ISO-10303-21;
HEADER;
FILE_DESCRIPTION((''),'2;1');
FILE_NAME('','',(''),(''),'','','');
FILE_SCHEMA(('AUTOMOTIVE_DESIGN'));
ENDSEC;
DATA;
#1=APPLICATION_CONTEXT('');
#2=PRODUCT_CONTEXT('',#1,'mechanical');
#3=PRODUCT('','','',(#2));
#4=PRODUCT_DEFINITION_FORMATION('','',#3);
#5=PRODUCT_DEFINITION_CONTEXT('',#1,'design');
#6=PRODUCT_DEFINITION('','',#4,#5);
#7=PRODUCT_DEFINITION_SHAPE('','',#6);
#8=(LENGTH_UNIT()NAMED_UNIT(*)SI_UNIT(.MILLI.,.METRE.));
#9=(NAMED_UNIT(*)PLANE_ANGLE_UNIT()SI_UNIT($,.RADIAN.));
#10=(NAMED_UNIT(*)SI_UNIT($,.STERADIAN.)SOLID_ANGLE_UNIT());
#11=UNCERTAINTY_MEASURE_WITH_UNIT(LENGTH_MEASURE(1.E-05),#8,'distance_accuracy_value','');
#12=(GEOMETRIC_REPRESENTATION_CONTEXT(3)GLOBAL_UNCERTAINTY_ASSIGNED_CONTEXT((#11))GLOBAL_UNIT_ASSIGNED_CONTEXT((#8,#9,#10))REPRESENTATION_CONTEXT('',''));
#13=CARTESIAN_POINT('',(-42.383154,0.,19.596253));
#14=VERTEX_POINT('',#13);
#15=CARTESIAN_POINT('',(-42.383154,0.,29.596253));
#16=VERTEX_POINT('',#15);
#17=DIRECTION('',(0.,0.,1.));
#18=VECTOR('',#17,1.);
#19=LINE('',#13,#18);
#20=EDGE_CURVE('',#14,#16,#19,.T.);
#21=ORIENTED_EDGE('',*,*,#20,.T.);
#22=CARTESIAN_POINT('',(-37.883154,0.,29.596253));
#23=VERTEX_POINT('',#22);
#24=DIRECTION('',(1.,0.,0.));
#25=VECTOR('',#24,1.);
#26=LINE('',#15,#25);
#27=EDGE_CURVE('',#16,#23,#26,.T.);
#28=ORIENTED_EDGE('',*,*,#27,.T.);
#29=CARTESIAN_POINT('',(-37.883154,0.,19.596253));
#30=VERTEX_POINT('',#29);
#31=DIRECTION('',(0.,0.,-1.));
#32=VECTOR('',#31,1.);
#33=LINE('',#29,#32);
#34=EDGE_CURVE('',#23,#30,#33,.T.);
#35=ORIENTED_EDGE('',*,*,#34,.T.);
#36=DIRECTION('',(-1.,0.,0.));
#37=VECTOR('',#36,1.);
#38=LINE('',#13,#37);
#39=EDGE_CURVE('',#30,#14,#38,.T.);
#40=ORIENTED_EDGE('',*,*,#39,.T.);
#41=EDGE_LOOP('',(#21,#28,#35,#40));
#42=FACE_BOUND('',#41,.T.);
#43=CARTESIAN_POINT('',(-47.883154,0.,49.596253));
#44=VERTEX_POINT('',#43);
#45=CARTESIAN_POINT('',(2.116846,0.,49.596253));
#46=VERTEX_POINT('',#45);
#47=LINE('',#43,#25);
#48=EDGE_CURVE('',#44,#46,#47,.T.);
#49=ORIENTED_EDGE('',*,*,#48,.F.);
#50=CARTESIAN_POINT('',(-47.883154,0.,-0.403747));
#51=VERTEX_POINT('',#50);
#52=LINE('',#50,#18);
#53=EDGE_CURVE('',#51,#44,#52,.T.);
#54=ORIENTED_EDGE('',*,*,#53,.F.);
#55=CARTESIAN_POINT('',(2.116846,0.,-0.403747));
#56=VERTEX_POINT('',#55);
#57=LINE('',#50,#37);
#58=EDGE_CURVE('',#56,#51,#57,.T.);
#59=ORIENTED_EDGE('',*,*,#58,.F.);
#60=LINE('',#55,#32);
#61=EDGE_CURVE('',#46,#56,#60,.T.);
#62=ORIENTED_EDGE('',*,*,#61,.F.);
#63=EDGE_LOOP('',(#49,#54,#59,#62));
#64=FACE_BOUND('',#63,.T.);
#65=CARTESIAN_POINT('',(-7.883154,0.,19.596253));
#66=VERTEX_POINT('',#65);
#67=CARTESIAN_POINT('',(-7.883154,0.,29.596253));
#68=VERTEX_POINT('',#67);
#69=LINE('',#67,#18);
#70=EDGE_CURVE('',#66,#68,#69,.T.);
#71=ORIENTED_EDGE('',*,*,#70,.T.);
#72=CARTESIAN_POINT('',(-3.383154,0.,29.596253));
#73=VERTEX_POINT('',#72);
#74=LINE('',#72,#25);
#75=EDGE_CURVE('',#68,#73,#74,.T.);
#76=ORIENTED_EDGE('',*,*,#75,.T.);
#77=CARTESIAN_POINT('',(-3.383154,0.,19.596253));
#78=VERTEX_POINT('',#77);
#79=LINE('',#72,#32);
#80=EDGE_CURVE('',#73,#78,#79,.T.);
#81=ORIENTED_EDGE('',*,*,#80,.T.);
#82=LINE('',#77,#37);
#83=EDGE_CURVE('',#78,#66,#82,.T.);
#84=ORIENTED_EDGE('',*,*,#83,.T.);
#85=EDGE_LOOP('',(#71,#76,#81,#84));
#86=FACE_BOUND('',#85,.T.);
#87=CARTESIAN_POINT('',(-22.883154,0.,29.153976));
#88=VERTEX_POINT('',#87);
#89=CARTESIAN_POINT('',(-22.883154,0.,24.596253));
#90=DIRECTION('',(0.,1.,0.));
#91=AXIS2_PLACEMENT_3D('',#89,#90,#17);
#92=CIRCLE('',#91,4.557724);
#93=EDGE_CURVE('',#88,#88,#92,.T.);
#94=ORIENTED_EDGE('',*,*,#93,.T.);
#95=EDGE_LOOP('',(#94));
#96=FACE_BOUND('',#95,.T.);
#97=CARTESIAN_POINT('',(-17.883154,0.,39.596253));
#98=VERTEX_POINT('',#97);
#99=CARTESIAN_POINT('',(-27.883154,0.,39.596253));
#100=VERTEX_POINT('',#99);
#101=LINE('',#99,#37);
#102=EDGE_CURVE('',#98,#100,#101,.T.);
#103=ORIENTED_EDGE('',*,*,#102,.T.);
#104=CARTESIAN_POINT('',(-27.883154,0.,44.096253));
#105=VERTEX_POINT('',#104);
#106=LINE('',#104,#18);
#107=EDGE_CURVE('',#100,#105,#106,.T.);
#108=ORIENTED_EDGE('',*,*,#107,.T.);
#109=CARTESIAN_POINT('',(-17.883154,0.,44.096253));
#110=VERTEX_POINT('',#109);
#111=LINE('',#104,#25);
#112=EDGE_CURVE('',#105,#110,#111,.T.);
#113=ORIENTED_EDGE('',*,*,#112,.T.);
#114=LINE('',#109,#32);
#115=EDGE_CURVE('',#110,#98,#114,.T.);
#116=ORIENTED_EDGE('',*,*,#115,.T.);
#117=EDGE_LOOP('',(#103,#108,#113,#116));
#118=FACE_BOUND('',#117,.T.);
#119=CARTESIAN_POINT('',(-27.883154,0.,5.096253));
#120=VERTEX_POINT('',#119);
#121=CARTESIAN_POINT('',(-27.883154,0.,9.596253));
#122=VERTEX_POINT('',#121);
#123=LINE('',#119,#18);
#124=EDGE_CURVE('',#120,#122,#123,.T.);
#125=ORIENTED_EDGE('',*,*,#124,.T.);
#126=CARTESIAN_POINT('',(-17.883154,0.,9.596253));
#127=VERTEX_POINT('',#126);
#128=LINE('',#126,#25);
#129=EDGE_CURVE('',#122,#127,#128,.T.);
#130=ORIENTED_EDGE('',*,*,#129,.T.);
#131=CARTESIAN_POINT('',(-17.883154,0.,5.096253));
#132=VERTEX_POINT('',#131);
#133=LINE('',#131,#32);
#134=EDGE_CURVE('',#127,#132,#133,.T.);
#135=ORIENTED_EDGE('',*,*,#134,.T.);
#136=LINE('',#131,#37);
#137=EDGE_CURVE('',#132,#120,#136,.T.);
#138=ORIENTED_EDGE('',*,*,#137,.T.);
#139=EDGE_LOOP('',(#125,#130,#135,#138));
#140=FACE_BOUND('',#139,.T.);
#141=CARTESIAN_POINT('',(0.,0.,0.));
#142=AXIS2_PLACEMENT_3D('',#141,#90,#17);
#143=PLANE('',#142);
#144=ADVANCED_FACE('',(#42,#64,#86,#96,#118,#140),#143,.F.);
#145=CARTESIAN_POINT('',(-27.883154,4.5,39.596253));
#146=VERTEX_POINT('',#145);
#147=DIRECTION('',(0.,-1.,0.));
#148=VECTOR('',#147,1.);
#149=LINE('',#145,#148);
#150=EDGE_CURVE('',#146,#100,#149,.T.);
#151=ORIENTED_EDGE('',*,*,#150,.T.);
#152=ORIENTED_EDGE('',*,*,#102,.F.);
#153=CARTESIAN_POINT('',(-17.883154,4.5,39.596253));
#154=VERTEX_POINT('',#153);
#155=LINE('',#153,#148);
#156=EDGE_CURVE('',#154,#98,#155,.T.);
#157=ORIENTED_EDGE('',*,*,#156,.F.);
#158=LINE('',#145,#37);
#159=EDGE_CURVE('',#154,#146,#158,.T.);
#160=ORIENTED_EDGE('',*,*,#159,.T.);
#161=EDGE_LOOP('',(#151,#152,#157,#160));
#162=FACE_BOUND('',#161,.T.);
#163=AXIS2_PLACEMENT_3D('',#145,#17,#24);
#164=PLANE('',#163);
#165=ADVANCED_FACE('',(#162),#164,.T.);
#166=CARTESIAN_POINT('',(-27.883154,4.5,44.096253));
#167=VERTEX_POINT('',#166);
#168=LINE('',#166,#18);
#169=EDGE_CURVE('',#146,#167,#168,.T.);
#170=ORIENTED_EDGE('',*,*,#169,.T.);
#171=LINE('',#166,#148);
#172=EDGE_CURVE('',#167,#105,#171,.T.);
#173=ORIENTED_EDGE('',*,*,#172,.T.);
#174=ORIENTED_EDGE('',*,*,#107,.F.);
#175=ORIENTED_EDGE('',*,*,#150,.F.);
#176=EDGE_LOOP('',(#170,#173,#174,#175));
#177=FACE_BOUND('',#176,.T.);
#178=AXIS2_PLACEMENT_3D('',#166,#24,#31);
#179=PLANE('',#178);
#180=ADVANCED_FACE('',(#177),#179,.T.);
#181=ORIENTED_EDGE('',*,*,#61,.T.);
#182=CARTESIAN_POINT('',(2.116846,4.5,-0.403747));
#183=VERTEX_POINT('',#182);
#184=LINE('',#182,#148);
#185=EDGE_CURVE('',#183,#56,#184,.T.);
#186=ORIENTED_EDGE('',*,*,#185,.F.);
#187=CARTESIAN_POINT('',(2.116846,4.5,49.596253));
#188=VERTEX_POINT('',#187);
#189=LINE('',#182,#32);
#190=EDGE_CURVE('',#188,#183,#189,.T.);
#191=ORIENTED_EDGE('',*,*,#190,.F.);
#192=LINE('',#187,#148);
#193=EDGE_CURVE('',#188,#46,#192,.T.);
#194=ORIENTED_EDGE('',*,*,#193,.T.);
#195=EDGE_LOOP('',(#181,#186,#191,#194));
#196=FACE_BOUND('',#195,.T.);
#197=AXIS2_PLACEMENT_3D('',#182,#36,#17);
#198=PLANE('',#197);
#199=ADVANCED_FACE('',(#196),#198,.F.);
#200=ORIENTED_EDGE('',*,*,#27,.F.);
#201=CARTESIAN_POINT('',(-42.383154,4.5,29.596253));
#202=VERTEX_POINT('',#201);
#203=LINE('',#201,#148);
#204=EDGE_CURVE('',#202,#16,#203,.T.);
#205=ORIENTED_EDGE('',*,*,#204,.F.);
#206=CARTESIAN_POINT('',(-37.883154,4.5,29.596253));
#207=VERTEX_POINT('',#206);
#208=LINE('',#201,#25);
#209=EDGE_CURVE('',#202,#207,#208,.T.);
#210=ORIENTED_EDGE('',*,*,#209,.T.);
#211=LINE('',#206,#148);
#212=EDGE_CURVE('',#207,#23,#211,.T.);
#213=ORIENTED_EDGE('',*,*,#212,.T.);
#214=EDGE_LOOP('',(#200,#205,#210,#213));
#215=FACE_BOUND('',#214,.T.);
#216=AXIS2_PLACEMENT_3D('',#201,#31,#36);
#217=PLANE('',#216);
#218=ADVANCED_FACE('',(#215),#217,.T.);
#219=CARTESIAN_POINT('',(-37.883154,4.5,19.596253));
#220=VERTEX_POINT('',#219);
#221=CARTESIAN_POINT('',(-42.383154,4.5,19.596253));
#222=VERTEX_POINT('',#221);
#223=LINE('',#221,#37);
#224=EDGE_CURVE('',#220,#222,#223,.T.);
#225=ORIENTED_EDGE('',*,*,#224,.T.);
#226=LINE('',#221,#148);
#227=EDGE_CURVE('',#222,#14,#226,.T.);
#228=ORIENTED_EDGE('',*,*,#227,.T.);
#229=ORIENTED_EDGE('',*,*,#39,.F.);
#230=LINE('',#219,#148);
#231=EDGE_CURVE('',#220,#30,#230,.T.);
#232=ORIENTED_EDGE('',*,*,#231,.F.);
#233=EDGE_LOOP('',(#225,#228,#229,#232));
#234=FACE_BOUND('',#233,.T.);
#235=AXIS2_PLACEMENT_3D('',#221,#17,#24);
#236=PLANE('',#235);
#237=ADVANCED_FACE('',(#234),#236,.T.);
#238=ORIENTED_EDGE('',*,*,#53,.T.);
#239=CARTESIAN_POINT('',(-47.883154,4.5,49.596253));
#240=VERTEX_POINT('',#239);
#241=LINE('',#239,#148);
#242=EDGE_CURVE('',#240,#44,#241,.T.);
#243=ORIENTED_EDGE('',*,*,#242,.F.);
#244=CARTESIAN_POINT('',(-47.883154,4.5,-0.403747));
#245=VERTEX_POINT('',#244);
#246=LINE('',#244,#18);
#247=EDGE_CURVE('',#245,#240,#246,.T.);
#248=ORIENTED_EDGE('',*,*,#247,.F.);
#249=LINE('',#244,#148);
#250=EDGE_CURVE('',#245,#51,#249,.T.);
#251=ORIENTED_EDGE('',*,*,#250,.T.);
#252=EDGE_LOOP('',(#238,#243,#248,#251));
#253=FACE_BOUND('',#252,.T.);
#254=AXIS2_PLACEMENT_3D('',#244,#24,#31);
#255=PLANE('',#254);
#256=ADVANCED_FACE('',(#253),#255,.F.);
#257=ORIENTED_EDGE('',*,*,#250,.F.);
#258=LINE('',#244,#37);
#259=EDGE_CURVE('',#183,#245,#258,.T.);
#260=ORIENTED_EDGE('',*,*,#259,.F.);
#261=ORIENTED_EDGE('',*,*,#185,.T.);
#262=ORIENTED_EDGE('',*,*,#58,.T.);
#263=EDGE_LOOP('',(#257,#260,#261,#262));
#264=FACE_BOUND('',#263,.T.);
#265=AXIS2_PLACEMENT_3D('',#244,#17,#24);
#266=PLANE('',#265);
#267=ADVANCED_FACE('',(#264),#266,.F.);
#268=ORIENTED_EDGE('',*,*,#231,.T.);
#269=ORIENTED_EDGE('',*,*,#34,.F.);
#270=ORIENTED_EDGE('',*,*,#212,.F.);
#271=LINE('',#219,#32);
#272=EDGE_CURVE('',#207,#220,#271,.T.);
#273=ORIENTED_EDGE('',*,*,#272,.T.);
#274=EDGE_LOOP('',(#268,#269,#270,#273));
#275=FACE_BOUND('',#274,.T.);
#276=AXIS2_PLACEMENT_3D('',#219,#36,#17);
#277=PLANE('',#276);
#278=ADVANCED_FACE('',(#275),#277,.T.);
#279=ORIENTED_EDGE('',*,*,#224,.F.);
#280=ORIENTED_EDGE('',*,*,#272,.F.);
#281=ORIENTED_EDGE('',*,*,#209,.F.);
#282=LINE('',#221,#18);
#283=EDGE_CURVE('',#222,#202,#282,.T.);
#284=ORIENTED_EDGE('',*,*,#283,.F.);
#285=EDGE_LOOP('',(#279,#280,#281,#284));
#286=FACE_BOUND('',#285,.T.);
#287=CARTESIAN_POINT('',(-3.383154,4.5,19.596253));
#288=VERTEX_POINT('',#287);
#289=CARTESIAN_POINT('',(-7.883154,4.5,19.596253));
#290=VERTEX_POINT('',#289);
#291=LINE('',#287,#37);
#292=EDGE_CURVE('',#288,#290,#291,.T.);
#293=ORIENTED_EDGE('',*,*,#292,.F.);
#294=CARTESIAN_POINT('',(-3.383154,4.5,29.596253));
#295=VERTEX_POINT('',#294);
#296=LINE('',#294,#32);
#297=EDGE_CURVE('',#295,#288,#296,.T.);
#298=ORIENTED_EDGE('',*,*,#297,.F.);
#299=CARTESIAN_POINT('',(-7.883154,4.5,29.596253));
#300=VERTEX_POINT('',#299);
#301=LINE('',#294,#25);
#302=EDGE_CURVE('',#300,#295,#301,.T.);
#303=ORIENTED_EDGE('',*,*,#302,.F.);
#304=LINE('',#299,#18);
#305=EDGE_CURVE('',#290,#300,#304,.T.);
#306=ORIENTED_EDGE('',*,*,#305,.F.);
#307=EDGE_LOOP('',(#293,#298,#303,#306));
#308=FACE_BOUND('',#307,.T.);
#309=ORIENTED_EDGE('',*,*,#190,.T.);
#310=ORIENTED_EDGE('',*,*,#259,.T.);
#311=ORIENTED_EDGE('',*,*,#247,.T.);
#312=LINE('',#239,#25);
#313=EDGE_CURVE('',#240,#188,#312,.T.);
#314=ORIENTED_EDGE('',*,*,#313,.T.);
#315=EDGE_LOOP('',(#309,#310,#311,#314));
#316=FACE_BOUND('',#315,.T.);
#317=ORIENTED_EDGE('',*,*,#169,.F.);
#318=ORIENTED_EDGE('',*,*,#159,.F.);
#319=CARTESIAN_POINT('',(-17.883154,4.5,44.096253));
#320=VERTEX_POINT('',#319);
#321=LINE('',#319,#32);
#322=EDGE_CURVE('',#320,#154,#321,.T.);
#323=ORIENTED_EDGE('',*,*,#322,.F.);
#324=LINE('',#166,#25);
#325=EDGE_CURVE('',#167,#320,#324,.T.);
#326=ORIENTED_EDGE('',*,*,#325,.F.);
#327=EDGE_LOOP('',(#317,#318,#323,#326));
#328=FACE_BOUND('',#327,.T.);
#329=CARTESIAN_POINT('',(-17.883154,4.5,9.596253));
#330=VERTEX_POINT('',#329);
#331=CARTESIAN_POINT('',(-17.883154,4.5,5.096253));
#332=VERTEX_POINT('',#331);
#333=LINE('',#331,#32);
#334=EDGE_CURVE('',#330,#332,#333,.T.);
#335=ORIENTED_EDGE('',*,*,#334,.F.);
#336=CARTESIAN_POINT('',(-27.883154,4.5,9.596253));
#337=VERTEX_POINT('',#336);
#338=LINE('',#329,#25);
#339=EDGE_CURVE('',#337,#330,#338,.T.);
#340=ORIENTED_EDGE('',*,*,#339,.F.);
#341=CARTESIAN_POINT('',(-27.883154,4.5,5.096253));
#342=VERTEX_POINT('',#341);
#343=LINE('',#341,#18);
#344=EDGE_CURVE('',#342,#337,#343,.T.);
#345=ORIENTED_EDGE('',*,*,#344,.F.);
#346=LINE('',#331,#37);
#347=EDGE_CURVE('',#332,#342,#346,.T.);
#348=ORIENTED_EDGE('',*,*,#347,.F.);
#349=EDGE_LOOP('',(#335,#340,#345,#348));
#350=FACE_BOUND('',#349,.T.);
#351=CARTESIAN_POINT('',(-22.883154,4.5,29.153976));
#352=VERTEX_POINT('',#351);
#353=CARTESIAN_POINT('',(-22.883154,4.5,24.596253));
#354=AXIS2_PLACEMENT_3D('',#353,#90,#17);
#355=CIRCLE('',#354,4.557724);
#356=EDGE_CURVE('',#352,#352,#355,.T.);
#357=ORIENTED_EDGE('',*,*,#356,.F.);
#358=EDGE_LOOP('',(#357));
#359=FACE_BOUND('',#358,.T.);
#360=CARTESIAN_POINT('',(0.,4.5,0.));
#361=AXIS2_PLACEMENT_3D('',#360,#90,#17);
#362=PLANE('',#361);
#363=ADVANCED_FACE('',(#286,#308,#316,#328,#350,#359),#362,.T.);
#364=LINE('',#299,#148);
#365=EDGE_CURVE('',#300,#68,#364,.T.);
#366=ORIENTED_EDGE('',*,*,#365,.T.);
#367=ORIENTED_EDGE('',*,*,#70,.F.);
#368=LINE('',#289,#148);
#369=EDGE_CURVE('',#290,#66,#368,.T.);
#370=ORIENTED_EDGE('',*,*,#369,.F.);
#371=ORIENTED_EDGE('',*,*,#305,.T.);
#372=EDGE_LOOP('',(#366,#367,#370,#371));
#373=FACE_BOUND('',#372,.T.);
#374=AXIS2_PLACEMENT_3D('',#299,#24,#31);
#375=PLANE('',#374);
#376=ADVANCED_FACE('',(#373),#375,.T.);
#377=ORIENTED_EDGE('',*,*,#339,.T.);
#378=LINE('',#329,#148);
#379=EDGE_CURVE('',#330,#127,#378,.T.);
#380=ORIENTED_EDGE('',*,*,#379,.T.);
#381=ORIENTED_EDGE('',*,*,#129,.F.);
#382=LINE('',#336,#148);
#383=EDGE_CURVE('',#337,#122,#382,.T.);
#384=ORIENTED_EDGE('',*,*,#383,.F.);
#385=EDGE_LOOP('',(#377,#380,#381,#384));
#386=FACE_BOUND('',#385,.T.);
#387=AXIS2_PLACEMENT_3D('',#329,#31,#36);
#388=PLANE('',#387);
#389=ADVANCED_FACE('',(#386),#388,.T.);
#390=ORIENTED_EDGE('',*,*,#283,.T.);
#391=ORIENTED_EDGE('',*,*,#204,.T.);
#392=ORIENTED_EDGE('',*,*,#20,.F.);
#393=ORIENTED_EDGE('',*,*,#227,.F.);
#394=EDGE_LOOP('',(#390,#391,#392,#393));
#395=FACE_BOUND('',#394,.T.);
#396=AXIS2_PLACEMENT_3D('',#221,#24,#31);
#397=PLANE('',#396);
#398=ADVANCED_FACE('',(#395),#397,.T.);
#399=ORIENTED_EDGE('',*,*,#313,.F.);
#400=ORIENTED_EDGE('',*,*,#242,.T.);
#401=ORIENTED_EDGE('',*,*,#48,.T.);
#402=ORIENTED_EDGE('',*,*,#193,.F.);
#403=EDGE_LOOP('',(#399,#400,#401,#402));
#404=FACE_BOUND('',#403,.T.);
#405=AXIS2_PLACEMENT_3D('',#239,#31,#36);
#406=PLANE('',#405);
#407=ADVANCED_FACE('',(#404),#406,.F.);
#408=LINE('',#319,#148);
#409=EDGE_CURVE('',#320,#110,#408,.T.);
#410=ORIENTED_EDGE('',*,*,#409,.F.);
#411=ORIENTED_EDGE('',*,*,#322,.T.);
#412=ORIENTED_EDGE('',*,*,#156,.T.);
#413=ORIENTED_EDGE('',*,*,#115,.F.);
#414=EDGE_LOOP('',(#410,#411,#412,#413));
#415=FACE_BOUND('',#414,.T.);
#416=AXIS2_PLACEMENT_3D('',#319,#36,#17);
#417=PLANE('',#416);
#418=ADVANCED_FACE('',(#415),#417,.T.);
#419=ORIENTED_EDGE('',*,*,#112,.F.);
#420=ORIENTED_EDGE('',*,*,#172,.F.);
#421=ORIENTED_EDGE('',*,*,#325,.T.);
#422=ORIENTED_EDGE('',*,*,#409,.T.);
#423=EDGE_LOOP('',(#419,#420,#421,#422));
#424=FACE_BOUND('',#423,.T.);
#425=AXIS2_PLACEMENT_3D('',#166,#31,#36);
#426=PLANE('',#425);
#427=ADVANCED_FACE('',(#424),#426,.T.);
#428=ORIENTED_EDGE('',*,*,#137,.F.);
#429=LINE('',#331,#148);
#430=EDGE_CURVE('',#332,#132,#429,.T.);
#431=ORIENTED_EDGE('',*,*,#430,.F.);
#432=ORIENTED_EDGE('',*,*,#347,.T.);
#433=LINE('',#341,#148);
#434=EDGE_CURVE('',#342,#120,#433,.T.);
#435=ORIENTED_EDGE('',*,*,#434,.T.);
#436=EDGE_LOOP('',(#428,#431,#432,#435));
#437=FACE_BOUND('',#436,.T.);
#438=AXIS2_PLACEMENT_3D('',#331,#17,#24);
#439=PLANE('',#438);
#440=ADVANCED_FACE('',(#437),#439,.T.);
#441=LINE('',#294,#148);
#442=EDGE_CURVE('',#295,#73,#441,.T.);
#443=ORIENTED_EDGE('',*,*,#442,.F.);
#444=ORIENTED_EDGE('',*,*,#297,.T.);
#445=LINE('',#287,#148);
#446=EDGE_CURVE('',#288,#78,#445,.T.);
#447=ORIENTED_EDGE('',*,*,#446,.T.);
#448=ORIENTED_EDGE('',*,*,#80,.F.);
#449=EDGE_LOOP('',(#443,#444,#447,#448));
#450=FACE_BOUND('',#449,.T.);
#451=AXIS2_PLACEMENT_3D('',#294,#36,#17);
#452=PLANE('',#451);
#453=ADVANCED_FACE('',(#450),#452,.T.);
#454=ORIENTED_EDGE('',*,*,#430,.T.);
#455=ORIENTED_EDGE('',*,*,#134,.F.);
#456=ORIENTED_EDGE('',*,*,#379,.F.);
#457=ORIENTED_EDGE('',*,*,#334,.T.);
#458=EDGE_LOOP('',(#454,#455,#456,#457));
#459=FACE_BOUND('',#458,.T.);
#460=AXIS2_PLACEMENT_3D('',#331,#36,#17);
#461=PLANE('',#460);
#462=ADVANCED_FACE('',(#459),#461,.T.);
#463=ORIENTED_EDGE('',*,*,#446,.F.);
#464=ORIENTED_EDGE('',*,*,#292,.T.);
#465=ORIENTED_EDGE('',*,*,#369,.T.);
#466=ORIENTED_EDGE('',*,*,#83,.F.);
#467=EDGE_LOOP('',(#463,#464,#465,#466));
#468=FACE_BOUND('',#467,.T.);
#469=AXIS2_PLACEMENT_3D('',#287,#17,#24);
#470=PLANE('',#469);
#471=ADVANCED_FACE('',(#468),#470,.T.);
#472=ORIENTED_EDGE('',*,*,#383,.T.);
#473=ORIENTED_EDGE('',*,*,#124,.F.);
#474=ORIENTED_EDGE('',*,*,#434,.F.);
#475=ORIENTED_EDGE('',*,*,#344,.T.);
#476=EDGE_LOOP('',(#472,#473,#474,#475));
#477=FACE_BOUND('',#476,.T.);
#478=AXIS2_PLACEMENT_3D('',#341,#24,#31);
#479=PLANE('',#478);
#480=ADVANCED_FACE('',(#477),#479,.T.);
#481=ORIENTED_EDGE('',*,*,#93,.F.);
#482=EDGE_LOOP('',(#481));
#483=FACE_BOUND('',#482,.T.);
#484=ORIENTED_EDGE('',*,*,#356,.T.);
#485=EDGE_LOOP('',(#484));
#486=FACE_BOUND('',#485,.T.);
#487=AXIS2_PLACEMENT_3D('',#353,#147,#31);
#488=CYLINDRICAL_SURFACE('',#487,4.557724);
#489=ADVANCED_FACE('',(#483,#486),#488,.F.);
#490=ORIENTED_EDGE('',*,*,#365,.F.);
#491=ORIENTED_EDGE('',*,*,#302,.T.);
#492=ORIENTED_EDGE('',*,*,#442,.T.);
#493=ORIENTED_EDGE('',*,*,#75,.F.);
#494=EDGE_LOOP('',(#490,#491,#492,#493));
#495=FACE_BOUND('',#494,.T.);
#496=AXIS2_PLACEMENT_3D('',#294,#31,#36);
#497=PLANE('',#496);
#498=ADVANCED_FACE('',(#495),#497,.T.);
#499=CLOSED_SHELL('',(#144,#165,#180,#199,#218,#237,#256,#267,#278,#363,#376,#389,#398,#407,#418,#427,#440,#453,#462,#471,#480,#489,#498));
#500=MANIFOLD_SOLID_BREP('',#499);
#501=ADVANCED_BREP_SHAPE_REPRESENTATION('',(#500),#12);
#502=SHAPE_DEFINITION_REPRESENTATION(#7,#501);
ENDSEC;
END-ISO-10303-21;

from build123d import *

# Parameters (mm, degrees)
SKETCH1_W           = 50
SKETCH1_H           = 50
SKETCH1_R           = 4.557723878
SKETCH1_W_2         = 4.5
SKETCH1_H_2         = 10
SKETCH1_W_3         = 10
SKETCH1_H_3         = 4.5
BOSS_EXTRUDE1_DEPTH = 4.5


with BuildPart() as part:
    # Sketch1 → Boss-Extrude1 (new body)
    with BuildSketch(Plane(origin=(0, 0, 0), x_dir=(1, 0, 0), z_dir=(0, 1, 0))):
        with Locations((-22.88315405, -24.596252602)):
            Rectangle(SKETCH1_W, SKETCH1_H)
        with Locations(Location((-22.88315405, -24.596252602, 0), (0, 0, 270))):
            Circle(SKETCH1_R, mode=Mode.SUBTRACT)
        with Locations((-40.13315405, -24.596252602)):
            Rectangle(SKETCH1_W_2, SKETCH1_H_2, mode=Mode.SUBTRACT)
        with Locations((-22.88315405, -7.346252602)):
            Rectangle(SKETCH1_W_3, SKETCH1_H_3, mode=Mode.SUBTRACT)
        with Locations((-5.63315405, -24.596252602)):
            Rectangle(SKETCH1_W_2, SKETCH1_H_2, mode=Mode.SUBTRACT)
        with Locations((-22.88315405, -41.846252602)):
            Rectangle(SKETCH1_W_3, SKETCH1_H_3, mode=Mode.SUBTRACT)
    extrude(amount=BOSS_EXTRUDE1_DEPTH)


solid = part.part
